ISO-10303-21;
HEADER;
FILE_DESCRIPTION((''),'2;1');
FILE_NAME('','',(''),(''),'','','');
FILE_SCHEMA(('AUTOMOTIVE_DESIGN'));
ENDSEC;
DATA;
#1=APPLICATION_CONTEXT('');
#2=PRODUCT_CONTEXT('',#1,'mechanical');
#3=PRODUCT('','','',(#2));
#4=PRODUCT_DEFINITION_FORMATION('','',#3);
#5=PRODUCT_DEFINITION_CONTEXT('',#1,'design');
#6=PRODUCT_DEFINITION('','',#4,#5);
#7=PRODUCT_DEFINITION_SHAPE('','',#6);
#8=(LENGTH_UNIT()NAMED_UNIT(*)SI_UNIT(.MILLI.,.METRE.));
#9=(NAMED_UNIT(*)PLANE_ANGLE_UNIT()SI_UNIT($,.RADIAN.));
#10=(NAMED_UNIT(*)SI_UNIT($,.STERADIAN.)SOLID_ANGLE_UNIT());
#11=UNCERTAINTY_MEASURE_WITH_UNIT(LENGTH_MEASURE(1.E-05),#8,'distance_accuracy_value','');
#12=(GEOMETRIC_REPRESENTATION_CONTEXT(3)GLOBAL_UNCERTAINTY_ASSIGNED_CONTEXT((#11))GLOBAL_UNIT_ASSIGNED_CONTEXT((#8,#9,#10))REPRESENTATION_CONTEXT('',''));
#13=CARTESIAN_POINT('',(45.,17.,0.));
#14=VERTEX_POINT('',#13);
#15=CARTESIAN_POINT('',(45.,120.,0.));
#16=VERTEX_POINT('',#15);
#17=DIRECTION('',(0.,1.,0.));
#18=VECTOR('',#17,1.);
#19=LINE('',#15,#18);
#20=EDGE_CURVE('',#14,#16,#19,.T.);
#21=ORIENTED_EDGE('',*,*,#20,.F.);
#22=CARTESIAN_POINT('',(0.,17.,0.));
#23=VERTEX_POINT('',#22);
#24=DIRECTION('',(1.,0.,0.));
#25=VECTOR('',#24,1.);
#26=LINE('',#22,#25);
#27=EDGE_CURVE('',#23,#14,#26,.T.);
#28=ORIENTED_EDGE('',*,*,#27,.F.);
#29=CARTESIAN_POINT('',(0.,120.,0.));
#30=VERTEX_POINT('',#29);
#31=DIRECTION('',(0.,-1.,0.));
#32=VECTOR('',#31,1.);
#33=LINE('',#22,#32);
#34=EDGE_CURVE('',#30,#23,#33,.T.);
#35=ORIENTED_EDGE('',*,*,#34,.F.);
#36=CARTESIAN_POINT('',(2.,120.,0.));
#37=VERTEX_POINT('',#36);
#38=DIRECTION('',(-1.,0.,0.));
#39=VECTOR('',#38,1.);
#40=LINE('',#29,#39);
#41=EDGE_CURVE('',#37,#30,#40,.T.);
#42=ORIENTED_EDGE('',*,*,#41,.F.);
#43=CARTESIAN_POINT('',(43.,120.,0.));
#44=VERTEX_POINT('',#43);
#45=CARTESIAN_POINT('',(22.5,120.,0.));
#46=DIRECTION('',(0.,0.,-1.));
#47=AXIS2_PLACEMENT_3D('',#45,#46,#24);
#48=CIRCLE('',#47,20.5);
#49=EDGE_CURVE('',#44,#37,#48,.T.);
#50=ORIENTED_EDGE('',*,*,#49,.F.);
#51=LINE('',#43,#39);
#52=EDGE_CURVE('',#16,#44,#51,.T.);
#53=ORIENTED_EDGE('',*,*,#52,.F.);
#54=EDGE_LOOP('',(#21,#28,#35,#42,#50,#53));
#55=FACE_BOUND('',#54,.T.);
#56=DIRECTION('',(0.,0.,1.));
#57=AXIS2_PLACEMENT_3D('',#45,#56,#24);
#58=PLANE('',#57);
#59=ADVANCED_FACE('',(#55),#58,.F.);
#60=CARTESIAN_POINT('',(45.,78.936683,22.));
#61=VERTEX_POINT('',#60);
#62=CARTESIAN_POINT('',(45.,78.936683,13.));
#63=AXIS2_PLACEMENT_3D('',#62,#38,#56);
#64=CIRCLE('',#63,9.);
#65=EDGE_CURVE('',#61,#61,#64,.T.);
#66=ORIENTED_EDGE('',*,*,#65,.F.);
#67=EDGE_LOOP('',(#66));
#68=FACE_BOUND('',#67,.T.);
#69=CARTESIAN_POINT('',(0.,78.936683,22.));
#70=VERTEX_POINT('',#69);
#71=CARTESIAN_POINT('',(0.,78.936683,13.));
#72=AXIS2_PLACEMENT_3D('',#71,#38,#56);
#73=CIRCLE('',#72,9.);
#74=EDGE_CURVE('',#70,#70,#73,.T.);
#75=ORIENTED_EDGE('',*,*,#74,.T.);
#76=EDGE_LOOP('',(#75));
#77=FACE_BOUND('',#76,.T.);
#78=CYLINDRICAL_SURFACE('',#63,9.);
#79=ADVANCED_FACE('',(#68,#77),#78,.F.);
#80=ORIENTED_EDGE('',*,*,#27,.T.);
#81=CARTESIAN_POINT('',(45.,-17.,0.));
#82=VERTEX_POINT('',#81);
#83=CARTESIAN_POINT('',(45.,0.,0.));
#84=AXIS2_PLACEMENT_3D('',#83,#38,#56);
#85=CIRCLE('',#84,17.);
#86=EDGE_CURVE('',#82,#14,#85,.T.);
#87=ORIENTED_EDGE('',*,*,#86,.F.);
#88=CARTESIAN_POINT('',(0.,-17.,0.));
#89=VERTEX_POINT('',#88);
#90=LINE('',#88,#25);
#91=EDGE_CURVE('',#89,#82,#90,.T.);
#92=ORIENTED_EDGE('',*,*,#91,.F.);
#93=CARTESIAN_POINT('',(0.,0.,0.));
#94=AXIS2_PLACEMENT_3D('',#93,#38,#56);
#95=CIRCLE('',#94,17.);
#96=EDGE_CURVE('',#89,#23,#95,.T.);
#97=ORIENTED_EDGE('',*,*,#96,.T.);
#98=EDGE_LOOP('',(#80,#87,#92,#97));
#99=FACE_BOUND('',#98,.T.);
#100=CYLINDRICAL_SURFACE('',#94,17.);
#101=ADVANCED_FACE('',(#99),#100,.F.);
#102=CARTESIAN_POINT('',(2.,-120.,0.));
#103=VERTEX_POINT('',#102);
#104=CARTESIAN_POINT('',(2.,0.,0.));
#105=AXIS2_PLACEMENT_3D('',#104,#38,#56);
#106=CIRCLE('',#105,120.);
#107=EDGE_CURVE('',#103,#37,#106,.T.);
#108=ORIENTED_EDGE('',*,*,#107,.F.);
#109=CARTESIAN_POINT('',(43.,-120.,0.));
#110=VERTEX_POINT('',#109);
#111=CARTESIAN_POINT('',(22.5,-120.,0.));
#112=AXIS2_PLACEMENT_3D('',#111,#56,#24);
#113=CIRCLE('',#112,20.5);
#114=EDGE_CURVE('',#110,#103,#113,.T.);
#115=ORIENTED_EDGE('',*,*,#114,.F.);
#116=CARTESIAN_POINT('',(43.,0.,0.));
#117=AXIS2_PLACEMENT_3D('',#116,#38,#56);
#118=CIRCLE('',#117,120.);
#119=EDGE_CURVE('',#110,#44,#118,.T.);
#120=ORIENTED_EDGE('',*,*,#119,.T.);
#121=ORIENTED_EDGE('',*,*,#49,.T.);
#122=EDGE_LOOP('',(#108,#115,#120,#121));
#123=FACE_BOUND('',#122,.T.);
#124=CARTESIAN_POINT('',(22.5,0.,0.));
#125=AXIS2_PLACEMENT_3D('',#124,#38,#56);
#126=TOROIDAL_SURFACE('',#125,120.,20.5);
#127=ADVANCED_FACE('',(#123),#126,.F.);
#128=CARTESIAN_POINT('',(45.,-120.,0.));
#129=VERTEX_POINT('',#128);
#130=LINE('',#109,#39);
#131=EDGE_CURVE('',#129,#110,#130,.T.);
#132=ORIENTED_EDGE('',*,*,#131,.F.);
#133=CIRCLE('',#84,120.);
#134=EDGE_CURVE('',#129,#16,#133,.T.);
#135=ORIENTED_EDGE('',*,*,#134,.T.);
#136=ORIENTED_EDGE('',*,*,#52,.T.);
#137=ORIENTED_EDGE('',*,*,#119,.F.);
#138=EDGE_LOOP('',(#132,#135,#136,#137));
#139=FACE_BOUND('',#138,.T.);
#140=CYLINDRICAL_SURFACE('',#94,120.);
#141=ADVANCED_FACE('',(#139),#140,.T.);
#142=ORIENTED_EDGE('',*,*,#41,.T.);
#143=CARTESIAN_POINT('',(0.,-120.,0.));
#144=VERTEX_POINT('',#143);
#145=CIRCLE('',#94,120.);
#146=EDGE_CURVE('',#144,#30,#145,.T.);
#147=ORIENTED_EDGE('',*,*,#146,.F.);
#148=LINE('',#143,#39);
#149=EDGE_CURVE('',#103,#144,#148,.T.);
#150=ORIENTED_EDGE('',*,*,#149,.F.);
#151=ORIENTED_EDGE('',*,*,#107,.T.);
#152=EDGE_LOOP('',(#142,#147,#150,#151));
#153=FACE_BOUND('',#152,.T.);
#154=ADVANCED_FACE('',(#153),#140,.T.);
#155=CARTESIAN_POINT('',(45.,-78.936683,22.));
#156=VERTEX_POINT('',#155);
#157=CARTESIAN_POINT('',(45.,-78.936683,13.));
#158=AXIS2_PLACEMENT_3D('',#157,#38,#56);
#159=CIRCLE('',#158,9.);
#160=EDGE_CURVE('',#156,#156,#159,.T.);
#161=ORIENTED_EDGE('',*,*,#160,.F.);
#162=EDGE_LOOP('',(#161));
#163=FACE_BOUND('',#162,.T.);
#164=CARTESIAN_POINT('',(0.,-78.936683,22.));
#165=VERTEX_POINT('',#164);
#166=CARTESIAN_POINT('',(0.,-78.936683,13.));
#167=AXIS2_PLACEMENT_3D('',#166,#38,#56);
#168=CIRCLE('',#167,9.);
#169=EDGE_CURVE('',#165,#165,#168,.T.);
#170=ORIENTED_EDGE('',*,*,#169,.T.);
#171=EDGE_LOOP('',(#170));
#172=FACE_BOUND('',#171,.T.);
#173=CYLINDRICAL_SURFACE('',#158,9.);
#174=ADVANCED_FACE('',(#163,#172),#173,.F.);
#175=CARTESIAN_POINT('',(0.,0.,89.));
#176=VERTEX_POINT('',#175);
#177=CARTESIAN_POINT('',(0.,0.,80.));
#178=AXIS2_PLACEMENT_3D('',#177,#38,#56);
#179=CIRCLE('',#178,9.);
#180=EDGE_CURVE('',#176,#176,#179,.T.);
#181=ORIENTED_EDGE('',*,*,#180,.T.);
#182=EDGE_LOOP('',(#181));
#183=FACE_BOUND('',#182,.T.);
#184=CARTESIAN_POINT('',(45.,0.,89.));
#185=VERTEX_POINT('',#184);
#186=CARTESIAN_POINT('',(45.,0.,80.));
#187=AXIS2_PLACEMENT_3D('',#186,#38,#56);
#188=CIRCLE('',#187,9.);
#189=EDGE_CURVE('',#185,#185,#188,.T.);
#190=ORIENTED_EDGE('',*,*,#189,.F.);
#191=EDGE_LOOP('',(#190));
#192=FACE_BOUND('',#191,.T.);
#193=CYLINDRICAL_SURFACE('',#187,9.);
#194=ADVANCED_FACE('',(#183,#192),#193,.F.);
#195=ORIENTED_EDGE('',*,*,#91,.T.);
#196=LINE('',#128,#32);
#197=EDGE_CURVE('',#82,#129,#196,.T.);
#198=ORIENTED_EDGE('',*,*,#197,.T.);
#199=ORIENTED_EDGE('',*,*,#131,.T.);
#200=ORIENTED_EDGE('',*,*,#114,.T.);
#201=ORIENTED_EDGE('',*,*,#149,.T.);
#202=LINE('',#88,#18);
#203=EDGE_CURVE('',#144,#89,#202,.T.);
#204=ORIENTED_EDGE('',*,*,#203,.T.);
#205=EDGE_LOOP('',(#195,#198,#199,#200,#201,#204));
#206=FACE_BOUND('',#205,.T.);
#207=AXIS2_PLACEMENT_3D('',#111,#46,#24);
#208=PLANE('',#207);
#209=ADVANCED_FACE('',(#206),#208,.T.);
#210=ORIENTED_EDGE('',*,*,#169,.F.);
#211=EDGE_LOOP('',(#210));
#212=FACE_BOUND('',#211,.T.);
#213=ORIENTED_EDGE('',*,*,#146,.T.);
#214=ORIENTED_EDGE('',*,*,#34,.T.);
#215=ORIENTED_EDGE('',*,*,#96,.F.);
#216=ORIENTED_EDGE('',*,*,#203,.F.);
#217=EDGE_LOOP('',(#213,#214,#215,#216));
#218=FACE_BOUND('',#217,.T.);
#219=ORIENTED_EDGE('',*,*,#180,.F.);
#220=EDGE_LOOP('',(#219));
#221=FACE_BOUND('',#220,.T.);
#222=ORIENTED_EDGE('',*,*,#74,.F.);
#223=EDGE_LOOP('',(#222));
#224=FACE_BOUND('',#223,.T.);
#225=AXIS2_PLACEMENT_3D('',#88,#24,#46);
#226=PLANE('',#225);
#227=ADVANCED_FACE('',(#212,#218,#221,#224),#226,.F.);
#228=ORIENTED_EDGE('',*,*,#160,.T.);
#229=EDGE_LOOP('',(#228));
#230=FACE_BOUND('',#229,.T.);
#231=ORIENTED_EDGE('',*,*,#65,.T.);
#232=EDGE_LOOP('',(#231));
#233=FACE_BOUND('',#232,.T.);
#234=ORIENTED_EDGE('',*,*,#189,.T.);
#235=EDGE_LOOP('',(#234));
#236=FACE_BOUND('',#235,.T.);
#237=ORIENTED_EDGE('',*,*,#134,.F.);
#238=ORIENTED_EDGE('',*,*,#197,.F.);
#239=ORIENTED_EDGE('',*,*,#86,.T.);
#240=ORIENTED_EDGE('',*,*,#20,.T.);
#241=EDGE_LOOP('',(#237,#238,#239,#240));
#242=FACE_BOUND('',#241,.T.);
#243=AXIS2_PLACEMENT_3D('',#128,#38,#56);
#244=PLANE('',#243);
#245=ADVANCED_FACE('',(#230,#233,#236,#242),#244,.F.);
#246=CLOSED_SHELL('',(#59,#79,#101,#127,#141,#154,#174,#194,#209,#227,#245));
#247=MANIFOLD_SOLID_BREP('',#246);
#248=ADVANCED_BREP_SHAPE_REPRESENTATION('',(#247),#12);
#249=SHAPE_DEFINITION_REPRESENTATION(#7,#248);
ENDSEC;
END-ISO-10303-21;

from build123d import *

# Parameters (mm, degrees)
R_VOLUTION1_ANGLE       = 180
ESQUISSE2_R             = 9
ENL_V_MAT_EXTRU_1_DEPTH = 46


with BuildPart() as part:
    # Esquisse1 → Révolution1 (revolve)
    with BuildSketch(Plane.XY):
        with BuildLine():
            Line((0, 17), (0, 120))
            Line((0, 120), (2, 120))
            ThreePointArc((2, 120), (22.5, 99.5), (43, 120))
            Line((43, 120), (45, 120))
            Line((45, 120), (45, 17))
            Line((45, 17), (0, 17))
        make_face()
    revolve(axis=Axis((0, 0, 0), (1, 0, 0)), revolution_arc=R_VOLUTION1_ANGLE)

    # Esquisse2 → Enlèv. mat.-Extru.1 (cut, through all)
    with BuildSketch(Plane.ZY):
        with Locations((80, 0)):
            Circle(ESQUISSE2_R)
        with Locations((13, -78.936683487)):
            Circle(ESQUISSE2_R)
        with Locations((13, 78.936683487)):
            Circle(ESQUISSE2_R)
    extrude(amount=-ENL_V_MAT_EXTRU_1_DEPTH, mode=Mode.SUBTRACT)


solid = part.part
